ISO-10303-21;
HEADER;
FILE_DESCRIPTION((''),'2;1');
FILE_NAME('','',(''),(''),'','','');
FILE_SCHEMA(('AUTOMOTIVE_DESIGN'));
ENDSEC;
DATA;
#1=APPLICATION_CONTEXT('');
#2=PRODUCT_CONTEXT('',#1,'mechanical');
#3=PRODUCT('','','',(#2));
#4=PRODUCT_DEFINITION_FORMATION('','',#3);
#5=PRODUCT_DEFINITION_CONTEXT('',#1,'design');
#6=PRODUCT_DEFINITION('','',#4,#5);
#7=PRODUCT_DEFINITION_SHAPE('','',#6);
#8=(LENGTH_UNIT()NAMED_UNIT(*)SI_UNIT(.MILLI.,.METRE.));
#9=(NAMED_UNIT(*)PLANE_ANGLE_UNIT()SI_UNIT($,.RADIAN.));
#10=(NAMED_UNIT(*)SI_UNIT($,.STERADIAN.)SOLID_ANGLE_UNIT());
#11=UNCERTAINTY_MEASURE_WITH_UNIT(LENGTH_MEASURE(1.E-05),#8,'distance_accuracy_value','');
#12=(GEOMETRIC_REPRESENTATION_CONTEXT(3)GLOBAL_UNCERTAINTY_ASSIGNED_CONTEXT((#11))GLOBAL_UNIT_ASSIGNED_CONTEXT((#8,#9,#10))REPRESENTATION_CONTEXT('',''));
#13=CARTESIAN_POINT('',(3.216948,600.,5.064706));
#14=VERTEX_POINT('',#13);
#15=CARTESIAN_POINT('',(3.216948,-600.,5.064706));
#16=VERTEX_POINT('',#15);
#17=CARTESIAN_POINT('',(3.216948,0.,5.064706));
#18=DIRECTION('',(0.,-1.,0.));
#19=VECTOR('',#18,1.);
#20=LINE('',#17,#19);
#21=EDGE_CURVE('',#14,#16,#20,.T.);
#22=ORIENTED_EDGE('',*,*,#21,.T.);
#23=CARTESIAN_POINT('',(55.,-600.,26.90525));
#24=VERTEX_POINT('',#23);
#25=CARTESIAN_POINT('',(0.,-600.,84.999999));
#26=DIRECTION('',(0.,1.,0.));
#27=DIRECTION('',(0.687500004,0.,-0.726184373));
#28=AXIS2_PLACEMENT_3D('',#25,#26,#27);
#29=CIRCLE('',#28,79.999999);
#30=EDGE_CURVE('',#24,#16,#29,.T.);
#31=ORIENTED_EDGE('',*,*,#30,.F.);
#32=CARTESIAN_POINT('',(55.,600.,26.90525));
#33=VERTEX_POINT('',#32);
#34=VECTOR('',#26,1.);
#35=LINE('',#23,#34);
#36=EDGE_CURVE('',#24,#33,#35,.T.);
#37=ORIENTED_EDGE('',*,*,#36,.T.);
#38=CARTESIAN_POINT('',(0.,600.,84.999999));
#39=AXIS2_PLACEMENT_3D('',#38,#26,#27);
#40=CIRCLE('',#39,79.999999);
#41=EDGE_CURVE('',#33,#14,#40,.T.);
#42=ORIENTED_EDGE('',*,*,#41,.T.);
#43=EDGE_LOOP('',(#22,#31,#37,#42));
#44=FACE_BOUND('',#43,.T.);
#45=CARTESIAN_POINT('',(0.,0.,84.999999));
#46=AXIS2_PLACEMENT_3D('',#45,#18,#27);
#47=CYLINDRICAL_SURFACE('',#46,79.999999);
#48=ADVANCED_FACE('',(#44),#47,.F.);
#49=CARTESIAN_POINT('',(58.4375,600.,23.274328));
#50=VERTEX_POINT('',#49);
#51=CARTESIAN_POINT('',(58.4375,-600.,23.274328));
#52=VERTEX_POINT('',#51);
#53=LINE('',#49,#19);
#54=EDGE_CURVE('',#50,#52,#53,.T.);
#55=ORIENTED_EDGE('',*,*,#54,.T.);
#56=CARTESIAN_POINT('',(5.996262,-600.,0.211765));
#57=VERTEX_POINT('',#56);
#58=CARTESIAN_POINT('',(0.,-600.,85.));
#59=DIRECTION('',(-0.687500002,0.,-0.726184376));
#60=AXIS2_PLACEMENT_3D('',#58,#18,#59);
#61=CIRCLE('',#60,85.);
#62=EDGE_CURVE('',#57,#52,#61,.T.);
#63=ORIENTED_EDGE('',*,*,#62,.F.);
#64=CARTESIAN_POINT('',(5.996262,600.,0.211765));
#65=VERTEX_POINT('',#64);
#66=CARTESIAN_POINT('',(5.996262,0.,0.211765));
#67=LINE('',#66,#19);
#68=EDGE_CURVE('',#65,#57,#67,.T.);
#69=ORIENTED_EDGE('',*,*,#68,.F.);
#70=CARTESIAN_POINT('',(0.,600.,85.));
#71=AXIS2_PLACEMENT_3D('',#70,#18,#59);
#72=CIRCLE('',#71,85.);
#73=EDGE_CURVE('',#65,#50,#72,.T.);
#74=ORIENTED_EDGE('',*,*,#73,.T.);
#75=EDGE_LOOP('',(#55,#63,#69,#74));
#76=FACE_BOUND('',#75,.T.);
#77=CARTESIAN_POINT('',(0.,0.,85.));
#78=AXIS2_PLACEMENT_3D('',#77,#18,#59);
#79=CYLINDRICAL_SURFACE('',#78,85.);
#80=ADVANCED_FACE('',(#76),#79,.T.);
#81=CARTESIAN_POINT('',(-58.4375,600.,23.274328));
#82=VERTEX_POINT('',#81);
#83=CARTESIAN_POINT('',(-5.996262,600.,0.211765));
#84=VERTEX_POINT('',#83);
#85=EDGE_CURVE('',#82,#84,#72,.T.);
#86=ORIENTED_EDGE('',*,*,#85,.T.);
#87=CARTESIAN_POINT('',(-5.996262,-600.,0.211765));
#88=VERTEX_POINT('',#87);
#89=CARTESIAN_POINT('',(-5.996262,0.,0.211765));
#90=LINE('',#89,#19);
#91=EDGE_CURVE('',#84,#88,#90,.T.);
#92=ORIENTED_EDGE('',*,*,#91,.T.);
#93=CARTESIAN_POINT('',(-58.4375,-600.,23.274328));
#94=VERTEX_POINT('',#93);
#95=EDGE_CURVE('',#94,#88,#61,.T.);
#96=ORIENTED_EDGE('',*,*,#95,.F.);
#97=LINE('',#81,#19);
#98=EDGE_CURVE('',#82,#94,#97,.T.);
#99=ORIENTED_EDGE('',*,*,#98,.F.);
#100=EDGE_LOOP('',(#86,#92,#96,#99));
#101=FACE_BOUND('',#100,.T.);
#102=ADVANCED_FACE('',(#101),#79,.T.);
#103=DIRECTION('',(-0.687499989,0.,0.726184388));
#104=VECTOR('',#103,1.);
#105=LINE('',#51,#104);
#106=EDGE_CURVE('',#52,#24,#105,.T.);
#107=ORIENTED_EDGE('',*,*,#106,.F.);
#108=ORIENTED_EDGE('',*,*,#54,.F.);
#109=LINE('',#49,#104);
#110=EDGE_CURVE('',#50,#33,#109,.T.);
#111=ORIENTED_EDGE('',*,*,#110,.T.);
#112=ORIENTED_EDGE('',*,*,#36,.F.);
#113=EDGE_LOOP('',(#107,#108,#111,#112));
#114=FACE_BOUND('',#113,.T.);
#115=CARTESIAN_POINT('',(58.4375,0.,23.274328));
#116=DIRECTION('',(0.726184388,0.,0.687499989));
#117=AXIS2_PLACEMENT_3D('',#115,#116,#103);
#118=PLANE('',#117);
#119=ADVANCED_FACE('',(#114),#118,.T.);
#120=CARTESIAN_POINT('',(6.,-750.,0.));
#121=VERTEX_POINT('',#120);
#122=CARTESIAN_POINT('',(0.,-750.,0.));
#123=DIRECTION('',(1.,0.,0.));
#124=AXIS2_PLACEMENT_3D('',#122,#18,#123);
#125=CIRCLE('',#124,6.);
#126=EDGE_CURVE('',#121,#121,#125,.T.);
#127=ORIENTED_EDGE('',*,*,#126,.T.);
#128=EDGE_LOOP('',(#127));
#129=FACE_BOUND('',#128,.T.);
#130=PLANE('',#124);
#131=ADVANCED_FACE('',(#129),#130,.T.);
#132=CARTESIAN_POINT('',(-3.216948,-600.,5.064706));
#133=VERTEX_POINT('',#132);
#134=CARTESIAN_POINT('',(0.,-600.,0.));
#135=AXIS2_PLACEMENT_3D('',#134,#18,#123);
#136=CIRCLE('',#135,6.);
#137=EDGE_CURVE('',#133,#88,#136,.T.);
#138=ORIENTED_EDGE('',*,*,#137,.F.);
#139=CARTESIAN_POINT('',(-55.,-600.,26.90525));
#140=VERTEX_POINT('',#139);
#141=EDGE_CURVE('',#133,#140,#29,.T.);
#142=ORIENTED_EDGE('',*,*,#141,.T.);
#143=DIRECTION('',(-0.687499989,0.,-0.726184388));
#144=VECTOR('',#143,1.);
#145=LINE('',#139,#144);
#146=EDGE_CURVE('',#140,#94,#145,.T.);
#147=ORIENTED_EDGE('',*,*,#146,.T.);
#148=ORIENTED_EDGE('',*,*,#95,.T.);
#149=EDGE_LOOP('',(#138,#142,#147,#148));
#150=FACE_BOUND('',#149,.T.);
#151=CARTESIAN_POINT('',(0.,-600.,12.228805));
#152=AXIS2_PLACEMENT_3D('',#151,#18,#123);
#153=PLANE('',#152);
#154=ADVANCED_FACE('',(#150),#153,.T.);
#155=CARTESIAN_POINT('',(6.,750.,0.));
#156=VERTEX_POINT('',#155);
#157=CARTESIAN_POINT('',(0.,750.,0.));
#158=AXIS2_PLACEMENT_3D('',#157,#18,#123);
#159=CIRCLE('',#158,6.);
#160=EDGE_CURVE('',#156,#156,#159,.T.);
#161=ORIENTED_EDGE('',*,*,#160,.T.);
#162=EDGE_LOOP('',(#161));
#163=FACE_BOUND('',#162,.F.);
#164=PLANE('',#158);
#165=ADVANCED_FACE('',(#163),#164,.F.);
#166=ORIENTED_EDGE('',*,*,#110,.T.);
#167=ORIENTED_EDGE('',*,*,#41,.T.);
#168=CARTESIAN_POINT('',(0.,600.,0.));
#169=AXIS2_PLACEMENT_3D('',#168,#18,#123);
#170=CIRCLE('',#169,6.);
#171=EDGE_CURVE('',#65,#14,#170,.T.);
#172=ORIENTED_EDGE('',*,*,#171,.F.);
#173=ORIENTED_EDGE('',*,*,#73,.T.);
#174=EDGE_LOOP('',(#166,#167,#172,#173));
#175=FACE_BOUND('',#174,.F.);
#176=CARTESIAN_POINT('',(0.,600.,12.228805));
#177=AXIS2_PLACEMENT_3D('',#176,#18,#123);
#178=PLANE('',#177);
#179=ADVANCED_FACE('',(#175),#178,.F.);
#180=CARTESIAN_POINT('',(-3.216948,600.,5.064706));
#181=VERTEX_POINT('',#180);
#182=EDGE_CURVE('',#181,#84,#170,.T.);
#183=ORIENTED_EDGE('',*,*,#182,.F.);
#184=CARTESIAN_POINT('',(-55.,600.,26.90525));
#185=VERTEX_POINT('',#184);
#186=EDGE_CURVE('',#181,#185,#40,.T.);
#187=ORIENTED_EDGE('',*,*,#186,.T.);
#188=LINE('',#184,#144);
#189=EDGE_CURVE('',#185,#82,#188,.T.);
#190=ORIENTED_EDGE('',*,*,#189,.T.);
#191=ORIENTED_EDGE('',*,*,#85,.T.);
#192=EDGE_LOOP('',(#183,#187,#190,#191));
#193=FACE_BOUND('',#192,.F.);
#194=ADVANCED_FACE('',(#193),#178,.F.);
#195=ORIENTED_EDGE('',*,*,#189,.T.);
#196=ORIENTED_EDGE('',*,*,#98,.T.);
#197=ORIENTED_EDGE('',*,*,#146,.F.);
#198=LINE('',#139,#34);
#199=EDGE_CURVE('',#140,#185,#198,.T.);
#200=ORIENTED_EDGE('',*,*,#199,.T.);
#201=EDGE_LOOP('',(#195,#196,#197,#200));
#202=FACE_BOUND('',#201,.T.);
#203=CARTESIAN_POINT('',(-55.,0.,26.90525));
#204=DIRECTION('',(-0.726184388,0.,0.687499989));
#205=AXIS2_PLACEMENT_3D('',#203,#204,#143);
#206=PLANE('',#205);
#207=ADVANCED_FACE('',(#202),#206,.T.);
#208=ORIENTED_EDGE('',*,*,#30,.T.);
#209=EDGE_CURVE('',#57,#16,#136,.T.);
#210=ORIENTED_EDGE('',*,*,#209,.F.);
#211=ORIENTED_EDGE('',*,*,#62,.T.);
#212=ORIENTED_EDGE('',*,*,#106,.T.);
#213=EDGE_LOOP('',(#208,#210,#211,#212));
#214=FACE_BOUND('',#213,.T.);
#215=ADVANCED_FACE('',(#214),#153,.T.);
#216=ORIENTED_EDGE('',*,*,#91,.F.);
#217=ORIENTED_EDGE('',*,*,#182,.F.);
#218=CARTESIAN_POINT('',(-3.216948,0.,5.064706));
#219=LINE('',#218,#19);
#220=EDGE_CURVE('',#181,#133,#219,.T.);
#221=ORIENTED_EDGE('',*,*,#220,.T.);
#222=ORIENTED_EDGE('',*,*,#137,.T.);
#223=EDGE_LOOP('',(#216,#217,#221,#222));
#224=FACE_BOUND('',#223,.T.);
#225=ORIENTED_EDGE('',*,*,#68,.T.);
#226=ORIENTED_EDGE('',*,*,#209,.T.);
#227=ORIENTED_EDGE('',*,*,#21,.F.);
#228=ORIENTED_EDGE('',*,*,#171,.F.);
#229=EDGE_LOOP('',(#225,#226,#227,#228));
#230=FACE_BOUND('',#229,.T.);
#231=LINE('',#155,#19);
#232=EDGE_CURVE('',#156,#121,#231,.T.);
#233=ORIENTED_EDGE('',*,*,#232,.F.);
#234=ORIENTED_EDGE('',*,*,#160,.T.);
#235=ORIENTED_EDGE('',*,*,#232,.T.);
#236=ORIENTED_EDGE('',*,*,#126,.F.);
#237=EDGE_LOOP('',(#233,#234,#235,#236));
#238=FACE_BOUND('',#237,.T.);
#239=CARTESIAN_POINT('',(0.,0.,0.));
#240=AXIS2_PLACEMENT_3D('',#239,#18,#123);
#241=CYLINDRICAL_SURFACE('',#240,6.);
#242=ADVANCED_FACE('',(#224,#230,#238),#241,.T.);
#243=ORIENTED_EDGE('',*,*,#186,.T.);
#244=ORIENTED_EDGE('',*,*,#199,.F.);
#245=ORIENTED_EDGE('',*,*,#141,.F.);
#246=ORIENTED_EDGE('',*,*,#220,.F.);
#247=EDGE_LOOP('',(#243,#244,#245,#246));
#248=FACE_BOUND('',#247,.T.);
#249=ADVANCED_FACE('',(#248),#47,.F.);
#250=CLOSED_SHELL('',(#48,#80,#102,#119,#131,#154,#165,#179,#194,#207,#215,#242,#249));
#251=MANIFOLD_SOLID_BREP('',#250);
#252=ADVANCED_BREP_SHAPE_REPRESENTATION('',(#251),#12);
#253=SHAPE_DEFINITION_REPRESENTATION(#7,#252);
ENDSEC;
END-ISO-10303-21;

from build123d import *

# Parameters (mm, degrees)
F0_R     = 6
F1_DEPTH = 750
F3_DEPTH = 600


with BuildPart() as f1:
    # F0 (on Front) → F1 (new body, symmetric)
    with BuildSketch(Plane.XZ):
        Circle(F0_R)
    extrude(amount=F1_DEPTH, both=True)

    # F2 (on Front) → F3 (join, symmetric)
    with BuildSketch(Plane.XZ):
        with BuildLine():
            Line((-55, 26.90525), (-58.4375, 23.274328))
            ThreePointArc((-58.4375, 23.274328), (0, 0), (58.4375, 23.274328))
            Line((58.4375, 23.274328), (55, 26.90525))
            ThreePointArc((55, 26.90525), (0, 5), (-55, 26.90525))
        make_face()
    extrude(amount=F3_DEPTH, both=True)


solid = f1.part
